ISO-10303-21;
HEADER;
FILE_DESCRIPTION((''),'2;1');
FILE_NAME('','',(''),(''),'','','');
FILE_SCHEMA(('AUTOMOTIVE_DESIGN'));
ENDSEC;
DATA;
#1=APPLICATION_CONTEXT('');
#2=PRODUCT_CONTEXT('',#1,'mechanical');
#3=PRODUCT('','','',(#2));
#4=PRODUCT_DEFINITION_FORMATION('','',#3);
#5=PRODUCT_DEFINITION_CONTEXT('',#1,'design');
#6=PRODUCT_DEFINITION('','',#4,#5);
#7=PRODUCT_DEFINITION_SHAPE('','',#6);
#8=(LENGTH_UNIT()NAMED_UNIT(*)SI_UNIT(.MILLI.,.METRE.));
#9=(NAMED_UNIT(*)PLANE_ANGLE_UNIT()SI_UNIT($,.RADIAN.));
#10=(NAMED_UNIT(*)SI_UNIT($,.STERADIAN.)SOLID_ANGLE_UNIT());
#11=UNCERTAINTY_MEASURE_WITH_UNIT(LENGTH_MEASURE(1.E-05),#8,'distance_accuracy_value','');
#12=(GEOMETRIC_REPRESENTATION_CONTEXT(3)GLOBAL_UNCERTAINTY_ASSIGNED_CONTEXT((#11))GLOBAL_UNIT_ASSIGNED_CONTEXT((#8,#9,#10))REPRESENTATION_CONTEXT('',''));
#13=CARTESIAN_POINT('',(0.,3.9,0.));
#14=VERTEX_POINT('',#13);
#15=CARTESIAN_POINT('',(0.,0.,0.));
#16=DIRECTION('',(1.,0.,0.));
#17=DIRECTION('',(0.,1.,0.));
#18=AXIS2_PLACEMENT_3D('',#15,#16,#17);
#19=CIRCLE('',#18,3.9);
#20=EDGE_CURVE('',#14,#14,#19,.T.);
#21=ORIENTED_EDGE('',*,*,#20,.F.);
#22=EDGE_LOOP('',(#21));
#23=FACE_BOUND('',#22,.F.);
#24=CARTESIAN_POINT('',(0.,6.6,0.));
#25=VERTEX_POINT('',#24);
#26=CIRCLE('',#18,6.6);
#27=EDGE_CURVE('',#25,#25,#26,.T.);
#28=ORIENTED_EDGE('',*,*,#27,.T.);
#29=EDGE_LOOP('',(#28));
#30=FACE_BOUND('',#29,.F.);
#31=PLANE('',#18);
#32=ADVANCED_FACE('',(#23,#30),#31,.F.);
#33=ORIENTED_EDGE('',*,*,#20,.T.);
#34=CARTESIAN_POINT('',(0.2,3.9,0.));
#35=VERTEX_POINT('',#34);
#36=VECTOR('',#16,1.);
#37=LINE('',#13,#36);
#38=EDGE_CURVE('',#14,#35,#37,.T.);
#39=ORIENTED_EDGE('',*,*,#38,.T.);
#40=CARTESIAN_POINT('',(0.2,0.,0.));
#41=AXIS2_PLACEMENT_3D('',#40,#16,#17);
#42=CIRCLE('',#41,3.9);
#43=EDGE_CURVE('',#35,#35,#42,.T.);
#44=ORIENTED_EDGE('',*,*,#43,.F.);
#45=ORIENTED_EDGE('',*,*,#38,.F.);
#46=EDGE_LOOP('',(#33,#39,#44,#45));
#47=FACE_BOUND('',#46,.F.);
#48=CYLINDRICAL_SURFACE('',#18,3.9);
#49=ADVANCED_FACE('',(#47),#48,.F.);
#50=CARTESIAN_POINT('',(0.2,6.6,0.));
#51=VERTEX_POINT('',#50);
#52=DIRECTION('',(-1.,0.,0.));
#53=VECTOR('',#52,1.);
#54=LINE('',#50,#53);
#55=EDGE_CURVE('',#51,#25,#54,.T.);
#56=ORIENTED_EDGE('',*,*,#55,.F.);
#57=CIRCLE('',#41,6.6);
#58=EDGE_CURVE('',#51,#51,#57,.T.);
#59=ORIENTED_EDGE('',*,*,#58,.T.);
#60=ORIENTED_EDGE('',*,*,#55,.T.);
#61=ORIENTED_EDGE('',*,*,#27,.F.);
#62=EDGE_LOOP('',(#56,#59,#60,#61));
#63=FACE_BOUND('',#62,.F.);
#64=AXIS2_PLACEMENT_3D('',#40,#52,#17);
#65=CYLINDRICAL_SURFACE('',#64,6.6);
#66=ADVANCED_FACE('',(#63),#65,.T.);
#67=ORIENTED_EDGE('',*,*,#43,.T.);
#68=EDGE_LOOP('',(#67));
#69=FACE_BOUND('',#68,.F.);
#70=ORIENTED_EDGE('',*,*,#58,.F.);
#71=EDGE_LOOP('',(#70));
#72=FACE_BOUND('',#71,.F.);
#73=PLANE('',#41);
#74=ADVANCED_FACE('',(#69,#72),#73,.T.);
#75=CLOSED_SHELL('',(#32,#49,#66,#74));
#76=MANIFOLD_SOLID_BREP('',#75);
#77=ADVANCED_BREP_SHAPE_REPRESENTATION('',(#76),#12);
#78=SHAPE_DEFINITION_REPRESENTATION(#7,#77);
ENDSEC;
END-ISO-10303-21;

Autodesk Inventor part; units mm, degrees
sketch "Sketch_1" plane through (0, 0, 0) normal (0, 0, 1) x (1, 0, 0)
  line L0 (0.2, 0) -> (0, 0)
  line L1 (0, 6.6) -> (0, 3.9)
  line L2 (0, 3.9) -> (0.2, 3.9)
  line L3 (0.2, 3.9) -> (0.2, 6.6)
  line L4 (0.2, 6.6) -> (0, 6.6)
revolve "Revolution1" add sketch "Sketch_1" angle 360 about axis through (0.2, 0, 0) along (1, 0, 0)
ref_plane "1_XY" through (0, 0, 0) normal (1, 0, 0) x (0, 0, -1)
ref_plane "1_YZ" through (0, 0, 0) normal (0, 0, -1) x (0, 1, 0)
ref_plane "1_ZX" through (0, 0, 0) normal (0, 1, 0) x (1, 0, 0)
properties part number "RF-1560ZZ_shield" material "鋼、炭素鋼"
